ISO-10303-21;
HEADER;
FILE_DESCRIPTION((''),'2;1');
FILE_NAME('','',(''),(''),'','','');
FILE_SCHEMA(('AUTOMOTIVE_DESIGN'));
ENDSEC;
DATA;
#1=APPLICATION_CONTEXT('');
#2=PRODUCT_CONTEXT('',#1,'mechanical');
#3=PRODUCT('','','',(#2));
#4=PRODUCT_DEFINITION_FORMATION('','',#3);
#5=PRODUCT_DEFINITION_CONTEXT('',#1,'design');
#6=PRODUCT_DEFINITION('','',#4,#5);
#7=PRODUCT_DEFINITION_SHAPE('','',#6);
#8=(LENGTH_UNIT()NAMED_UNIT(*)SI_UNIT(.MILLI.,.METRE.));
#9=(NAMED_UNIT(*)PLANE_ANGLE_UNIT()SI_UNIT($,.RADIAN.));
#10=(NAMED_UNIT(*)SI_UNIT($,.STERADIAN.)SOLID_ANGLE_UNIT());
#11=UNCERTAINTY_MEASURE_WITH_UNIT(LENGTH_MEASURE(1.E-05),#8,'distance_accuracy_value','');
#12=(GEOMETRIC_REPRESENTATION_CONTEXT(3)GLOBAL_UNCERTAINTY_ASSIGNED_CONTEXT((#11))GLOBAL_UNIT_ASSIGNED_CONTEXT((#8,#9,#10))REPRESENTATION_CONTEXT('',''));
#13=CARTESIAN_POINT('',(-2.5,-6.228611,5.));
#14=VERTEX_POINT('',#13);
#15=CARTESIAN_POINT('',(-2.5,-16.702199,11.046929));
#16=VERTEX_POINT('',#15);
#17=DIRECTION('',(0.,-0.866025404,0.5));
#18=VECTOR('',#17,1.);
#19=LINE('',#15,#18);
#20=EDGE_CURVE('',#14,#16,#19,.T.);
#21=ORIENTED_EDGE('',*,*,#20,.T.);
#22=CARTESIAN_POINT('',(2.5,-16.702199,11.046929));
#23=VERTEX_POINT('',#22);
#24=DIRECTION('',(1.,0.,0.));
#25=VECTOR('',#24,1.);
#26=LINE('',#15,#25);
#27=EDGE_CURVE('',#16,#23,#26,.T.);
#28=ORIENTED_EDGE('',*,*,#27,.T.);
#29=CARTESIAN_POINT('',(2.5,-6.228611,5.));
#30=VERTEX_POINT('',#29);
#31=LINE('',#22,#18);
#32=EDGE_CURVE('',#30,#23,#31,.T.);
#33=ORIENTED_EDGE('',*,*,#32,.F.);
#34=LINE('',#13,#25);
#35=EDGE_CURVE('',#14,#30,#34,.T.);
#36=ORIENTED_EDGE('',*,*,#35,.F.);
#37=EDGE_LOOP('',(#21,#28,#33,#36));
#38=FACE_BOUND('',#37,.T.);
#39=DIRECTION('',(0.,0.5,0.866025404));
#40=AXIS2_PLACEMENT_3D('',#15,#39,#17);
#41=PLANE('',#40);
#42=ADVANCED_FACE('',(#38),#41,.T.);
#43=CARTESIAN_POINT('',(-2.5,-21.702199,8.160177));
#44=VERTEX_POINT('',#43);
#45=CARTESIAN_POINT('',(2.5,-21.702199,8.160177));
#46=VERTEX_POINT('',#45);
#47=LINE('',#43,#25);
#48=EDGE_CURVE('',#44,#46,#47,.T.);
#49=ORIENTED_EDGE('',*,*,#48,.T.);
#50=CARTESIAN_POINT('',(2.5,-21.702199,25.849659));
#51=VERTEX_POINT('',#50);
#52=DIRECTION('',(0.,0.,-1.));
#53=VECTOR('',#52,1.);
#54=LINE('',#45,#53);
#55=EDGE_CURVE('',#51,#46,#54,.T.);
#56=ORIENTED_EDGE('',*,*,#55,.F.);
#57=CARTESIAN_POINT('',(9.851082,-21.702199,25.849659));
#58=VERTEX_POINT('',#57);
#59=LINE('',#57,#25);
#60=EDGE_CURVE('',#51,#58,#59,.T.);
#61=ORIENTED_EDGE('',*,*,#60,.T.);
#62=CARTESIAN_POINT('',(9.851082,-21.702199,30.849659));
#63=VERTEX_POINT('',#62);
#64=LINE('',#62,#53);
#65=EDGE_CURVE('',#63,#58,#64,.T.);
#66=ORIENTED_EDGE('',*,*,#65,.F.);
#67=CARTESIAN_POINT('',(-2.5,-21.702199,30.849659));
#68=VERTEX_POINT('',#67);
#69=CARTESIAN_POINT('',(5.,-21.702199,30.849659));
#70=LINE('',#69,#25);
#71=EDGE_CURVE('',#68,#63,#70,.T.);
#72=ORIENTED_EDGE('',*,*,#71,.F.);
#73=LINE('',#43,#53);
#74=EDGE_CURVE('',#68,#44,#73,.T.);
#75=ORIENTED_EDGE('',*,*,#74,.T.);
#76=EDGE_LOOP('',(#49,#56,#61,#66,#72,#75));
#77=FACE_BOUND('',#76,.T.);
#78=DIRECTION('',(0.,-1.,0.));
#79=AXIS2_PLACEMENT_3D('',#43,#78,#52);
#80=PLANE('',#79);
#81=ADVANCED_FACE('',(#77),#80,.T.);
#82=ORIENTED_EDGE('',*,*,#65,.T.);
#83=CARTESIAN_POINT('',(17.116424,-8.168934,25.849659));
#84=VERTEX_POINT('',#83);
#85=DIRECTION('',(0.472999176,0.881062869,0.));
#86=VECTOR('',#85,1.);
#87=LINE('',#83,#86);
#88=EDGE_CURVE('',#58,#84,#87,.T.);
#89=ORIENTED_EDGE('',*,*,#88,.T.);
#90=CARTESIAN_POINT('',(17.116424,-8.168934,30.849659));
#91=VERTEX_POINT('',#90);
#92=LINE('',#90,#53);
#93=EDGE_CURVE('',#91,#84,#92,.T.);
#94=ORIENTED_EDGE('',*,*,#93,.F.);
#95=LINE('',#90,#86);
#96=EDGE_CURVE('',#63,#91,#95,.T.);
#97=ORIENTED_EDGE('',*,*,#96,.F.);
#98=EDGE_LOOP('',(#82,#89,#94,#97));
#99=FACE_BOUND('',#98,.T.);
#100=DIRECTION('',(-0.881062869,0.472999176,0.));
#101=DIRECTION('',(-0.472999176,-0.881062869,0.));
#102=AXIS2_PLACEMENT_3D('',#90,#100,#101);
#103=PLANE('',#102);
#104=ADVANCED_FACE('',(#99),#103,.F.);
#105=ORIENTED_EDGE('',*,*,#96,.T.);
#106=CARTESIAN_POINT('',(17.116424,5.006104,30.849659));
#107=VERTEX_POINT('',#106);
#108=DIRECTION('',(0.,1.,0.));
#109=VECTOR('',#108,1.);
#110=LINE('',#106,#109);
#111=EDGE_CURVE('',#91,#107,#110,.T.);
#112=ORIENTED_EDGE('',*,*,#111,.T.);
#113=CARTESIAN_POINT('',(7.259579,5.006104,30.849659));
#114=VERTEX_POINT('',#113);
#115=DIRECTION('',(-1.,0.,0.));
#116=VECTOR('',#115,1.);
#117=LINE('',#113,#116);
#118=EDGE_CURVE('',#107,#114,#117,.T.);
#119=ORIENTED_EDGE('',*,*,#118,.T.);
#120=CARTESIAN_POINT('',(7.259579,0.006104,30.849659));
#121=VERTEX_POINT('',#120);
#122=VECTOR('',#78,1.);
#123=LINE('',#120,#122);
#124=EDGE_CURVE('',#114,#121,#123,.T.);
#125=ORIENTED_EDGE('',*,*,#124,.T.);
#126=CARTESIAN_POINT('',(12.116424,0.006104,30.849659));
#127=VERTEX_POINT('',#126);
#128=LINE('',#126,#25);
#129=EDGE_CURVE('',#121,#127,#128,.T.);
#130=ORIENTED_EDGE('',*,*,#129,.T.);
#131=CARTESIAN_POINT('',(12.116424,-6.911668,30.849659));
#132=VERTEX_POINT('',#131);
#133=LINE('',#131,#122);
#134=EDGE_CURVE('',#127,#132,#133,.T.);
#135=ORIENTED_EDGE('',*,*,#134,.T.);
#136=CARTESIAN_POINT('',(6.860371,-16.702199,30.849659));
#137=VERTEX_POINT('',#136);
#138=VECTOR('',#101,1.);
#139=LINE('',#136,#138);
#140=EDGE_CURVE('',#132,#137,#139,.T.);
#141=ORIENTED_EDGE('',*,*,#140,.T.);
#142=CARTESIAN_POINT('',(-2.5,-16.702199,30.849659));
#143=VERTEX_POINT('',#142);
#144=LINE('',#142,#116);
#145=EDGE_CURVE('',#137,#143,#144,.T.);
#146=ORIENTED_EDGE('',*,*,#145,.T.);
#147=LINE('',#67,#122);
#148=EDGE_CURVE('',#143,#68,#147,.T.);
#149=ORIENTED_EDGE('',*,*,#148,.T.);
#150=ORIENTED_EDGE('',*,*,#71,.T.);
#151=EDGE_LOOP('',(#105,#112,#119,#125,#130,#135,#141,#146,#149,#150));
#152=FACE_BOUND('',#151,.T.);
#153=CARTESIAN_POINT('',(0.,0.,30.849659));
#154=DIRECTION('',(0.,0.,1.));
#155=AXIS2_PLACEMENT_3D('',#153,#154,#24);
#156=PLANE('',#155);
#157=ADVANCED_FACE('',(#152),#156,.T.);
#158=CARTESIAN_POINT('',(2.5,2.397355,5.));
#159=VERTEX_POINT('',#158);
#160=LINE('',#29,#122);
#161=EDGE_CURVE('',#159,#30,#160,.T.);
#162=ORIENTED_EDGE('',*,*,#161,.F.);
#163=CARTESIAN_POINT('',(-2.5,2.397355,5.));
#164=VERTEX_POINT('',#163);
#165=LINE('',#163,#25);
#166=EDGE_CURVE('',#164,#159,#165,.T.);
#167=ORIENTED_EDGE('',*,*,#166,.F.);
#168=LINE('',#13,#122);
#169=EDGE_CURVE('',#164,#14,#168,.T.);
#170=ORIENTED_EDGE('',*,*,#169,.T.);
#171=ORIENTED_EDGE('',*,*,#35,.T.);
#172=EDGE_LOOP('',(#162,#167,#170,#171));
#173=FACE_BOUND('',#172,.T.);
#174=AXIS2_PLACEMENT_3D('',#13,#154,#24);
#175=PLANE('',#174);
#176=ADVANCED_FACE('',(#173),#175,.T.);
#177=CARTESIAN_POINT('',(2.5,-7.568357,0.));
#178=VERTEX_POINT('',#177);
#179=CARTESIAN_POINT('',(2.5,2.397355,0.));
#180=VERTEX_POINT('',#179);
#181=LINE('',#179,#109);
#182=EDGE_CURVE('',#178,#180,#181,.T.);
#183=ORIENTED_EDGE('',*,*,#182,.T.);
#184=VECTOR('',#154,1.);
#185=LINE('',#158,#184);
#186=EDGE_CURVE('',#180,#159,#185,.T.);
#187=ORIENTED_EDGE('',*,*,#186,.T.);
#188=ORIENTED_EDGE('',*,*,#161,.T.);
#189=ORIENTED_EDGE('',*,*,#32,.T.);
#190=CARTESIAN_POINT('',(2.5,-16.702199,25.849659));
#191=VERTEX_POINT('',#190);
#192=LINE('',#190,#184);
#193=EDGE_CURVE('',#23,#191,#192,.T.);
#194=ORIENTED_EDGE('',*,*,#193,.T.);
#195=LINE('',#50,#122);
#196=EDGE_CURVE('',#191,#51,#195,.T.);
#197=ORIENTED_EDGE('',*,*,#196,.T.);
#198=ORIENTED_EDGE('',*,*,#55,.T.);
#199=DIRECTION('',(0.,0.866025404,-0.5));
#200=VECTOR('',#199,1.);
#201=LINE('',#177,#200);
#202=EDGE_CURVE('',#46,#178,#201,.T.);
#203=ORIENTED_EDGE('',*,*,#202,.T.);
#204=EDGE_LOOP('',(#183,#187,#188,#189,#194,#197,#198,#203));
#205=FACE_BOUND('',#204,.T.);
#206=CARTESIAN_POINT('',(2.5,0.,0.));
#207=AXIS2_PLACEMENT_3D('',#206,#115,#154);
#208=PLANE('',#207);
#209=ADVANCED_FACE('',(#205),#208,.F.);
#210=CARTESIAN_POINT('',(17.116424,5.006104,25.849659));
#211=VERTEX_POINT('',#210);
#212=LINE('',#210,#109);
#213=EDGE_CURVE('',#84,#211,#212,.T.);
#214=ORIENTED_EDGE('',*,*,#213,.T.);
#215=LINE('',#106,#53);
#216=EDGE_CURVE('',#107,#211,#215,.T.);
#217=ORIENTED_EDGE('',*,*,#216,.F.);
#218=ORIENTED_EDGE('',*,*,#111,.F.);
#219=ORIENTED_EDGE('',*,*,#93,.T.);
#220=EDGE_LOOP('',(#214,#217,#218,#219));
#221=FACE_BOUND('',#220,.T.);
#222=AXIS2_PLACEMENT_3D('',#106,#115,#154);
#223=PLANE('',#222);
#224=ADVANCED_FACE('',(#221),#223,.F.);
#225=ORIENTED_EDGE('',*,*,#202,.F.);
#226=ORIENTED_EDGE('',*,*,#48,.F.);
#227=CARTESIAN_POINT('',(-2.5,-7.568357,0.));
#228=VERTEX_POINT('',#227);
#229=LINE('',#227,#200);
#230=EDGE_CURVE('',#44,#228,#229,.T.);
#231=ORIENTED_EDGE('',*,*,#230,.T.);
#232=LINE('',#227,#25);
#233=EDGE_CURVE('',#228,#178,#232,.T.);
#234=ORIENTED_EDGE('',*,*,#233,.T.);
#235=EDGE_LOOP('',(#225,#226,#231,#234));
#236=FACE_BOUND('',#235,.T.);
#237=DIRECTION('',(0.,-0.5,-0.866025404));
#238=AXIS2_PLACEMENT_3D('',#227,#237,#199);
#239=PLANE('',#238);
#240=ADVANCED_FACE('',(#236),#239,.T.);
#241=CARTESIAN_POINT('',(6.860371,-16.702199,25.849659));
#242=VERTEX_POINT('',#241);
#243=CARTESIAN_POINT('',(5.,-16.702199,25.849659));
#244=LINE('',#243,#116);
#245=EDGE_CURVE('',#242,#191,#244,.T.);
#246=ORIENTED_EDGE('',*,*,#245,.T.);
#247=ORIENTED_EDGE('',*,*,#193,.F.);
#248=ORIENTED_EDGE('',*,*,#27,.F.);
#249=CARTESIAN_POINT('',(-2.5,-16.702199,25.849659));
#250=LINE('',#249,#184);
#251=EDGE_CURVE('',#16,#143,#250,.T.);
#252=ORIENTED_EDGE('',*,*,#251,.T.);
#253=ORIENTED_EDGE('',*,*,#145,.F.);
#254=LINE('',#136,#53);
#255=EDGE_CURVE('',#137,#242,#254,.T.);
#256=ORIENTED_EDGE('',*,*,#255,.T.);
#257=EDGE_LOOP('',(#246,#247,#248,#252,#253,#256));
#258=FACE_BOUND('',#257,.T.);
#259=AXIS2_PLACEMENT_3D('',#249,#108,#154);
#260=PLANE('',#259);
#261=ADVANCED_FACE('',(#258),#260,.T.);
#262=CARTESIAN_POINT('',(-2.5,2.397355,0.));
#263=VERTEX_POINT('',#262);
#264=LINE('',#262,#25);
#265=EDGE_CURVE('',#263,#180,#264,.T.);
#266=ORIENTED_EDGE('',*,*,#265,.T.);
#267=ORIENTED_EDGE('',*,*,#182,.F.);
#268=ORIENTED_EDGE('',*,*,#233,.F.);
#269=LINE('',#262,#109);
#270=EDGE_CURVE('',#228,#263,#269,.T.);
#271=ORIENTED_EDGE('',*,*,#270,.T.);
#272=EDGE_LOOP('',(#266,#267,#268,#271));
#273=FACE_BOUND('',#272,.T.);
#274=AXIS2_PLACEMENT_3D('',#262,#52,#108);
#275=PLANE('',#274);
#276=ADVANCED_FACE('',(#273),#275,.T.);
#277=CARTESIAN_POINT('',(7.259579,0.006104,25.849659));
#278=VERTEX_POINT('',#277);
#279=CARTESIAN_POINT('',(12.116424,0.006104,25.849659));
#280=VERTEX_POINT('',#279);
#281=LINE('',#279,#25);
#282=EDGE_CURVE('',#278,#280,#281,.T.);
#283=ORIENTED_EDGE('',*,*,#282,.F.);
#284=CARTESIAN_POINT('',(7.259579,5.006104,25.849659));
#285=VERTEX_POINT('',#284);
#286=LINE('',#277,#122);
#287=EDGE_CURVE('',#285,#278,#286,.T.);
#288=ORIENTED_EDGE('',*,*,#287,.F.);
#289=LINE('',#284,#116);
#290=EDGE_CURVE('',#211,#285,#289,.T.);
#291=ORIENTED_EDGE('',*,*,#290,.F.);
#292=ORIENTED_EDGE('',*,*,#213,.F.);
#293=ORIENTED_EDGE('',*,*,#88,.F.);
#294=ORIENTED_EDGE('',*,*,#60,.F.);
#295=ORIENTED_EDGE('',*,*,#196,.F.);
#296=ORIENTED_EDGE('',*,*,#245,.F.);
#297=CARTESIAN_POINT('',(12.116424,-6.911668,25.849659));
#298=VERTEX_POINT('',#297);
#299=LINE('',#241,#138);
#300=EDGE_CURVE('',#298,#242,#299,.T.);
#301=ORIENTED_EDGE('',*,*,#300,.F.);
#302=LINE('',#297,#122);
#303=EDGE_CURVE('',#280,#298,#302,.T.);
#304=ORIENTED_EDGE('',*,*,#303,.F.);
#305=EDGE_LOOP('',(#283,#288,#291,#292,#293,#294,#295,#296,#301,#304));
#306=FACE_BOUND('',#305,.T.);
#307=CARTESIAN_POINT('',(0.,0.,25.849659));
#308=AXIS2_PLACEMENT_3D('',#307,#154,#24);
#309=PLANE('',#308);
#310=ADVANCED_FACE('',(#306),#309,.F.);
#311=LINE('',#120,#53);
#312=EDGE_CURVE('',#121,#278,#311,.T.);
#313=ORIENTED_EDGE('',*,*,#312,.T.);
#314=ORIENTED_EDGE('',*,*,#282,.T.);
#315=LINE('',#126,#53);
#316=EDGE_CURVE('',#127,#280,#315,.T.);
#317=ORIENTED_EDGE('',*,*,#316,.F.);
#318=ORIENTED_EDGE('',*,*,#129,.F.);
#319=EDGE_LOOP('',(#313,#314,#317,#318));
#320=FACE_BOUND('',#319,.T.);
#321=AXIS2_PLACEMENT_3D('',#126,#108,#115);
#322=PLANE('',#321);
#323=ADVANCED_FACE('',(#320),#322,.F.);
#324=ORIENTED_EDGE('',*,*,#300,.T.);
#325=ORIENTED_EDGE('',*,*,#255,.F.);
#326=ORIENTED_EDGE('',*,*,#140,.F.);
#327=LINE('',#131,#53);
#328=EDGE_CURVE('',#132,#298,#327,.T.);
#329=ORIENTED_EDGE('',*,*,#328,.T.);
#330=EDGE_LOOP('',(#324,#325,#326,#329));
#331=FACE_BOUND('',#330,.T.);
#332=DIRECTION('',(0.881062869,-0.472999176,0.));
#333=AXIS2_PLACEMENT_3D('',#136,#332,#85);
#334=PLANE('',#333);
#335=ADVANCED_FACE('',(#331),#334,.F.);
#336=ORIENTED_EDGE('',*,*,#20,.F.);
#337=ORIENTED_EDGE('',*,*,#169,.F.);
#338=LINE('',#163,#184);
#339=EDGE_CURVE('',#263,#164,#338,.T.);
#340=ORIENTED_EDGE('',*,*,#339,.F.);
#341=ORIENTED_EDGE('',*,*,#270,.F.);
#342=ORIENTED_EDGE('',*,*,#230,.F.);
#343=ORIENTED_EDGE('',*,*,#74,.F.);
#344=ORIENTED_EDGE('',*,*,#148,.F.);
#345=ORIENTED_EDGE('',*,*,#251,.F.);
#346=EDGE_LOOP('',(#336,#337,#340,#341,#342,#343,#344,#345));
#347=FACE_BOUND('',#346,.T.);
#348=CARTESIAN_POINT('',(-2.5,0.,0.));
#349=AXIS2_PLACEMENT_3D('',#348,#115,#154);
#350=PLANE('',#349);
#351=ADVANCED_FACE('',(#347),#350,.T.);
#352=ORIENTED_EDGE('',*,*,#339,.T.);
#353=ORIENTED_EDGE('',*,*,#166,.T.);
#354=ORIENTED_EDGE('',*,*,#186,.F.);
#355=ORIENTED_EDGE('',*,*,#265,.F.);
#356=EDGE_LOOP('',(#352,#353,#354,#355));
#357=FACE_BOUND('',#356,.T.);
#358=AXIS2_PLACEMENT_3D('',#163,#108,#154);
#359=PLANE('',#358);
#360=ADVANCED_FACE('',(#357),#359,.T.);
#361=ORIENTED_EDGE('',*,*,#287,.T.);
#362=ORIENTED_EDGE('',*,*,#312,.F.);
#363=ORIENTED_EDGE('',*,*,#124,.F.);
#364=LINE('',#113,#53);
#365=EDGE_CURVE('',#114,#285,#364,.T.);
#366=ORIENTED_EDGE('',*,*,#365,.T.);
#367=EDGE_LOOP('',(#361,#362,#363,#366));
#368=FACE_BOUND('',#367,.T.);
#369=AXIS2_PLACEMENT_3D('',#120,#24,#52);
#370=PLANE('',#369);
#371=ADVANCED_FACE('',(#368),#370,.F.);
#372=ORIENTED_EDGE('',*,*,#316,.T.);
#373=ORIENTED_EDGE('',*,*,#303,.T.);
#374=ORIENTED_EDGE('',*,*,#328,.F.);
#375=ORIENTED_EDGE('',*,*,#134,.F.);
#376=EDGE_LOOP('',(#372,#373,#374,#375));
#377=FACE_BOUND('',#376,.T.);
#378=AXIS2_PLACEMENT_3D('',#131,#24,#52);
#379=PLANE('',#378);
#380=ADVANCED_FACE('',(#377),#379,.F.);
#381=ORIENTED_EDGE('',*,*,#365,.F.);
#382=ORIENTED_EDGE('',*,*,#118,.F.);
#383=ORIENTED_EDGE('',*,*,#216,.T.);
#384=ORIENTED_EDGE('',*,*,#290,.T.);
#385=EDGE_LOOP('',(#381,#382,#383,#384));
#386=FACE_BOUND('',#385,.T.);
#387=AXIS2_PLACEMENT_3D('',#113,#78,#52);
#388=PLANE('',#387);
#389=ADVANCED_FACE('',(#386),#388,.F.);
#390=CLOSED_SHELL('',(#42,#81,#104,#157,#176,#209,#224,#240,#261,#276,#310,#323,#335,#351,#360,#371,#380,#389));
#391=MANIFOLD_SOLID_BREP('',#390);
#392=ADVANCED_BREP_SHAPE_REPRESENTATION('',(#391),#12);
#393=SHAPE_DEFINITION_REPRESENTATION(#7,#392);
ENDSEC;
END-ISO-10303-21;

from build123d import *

# Parameters (mm, degrees)
BOSS_EXTRUDE1_DEPTH      = 2.5
BOSS_EXTRUDE1_DEPTH_BACK = 2.5
BOSS_EXTRUDE2_DEPTH      = 5


with BuildPart() as part:
    # Sketch1 → Boss-Extrude1 (new, two sides: drawn at the far end of the back side and taken through both)
    with BuildSketch(Plane(origin=(0, 0, 0), x_dir=(0, 0, -1), z_dir=(1, 0, 0)).offset(-BOSS_EXTRUDE1_DEPTH_BACK)):
        Polygon((-5, 2.397355183), (0, 2.397355183), (0, -7.568357101), (-8.160177325, -21.702198826), (-25.849658622, -21.702198826), (-25.849658622, -16.702198826), (-11.046928671, -16.702198826), (-5, -6.228611139), align=None)
    extrude(amount=BOSS_EXTRUDE1_DEPTH + BOSS_EXTRUDE1_DEPTH_BACK)

    # Sketch2 → Boss-Extrude2 (add)
    with BuildSketch(Plane.XY.offset(25.849658622)):
        Polygon((5, -16.702198826), (6.860371394, -16.702198826), (12.116424273, -6.911667965), (12.116424273, 0.006104054), (7.259579322, 0.006104054), (7.259579322, 5.006104054), (17.116424273, 5.006104054), (17.116424273, -8.168933695), (9.851082059, -21.702198826), (5, -21.702198826), (-2.5, -21.702198826), (-2.5, -16.702198826), align=None)
    extrude(amount=BOSS_EXTRUDE2_DEPTH)


solid = part.part
